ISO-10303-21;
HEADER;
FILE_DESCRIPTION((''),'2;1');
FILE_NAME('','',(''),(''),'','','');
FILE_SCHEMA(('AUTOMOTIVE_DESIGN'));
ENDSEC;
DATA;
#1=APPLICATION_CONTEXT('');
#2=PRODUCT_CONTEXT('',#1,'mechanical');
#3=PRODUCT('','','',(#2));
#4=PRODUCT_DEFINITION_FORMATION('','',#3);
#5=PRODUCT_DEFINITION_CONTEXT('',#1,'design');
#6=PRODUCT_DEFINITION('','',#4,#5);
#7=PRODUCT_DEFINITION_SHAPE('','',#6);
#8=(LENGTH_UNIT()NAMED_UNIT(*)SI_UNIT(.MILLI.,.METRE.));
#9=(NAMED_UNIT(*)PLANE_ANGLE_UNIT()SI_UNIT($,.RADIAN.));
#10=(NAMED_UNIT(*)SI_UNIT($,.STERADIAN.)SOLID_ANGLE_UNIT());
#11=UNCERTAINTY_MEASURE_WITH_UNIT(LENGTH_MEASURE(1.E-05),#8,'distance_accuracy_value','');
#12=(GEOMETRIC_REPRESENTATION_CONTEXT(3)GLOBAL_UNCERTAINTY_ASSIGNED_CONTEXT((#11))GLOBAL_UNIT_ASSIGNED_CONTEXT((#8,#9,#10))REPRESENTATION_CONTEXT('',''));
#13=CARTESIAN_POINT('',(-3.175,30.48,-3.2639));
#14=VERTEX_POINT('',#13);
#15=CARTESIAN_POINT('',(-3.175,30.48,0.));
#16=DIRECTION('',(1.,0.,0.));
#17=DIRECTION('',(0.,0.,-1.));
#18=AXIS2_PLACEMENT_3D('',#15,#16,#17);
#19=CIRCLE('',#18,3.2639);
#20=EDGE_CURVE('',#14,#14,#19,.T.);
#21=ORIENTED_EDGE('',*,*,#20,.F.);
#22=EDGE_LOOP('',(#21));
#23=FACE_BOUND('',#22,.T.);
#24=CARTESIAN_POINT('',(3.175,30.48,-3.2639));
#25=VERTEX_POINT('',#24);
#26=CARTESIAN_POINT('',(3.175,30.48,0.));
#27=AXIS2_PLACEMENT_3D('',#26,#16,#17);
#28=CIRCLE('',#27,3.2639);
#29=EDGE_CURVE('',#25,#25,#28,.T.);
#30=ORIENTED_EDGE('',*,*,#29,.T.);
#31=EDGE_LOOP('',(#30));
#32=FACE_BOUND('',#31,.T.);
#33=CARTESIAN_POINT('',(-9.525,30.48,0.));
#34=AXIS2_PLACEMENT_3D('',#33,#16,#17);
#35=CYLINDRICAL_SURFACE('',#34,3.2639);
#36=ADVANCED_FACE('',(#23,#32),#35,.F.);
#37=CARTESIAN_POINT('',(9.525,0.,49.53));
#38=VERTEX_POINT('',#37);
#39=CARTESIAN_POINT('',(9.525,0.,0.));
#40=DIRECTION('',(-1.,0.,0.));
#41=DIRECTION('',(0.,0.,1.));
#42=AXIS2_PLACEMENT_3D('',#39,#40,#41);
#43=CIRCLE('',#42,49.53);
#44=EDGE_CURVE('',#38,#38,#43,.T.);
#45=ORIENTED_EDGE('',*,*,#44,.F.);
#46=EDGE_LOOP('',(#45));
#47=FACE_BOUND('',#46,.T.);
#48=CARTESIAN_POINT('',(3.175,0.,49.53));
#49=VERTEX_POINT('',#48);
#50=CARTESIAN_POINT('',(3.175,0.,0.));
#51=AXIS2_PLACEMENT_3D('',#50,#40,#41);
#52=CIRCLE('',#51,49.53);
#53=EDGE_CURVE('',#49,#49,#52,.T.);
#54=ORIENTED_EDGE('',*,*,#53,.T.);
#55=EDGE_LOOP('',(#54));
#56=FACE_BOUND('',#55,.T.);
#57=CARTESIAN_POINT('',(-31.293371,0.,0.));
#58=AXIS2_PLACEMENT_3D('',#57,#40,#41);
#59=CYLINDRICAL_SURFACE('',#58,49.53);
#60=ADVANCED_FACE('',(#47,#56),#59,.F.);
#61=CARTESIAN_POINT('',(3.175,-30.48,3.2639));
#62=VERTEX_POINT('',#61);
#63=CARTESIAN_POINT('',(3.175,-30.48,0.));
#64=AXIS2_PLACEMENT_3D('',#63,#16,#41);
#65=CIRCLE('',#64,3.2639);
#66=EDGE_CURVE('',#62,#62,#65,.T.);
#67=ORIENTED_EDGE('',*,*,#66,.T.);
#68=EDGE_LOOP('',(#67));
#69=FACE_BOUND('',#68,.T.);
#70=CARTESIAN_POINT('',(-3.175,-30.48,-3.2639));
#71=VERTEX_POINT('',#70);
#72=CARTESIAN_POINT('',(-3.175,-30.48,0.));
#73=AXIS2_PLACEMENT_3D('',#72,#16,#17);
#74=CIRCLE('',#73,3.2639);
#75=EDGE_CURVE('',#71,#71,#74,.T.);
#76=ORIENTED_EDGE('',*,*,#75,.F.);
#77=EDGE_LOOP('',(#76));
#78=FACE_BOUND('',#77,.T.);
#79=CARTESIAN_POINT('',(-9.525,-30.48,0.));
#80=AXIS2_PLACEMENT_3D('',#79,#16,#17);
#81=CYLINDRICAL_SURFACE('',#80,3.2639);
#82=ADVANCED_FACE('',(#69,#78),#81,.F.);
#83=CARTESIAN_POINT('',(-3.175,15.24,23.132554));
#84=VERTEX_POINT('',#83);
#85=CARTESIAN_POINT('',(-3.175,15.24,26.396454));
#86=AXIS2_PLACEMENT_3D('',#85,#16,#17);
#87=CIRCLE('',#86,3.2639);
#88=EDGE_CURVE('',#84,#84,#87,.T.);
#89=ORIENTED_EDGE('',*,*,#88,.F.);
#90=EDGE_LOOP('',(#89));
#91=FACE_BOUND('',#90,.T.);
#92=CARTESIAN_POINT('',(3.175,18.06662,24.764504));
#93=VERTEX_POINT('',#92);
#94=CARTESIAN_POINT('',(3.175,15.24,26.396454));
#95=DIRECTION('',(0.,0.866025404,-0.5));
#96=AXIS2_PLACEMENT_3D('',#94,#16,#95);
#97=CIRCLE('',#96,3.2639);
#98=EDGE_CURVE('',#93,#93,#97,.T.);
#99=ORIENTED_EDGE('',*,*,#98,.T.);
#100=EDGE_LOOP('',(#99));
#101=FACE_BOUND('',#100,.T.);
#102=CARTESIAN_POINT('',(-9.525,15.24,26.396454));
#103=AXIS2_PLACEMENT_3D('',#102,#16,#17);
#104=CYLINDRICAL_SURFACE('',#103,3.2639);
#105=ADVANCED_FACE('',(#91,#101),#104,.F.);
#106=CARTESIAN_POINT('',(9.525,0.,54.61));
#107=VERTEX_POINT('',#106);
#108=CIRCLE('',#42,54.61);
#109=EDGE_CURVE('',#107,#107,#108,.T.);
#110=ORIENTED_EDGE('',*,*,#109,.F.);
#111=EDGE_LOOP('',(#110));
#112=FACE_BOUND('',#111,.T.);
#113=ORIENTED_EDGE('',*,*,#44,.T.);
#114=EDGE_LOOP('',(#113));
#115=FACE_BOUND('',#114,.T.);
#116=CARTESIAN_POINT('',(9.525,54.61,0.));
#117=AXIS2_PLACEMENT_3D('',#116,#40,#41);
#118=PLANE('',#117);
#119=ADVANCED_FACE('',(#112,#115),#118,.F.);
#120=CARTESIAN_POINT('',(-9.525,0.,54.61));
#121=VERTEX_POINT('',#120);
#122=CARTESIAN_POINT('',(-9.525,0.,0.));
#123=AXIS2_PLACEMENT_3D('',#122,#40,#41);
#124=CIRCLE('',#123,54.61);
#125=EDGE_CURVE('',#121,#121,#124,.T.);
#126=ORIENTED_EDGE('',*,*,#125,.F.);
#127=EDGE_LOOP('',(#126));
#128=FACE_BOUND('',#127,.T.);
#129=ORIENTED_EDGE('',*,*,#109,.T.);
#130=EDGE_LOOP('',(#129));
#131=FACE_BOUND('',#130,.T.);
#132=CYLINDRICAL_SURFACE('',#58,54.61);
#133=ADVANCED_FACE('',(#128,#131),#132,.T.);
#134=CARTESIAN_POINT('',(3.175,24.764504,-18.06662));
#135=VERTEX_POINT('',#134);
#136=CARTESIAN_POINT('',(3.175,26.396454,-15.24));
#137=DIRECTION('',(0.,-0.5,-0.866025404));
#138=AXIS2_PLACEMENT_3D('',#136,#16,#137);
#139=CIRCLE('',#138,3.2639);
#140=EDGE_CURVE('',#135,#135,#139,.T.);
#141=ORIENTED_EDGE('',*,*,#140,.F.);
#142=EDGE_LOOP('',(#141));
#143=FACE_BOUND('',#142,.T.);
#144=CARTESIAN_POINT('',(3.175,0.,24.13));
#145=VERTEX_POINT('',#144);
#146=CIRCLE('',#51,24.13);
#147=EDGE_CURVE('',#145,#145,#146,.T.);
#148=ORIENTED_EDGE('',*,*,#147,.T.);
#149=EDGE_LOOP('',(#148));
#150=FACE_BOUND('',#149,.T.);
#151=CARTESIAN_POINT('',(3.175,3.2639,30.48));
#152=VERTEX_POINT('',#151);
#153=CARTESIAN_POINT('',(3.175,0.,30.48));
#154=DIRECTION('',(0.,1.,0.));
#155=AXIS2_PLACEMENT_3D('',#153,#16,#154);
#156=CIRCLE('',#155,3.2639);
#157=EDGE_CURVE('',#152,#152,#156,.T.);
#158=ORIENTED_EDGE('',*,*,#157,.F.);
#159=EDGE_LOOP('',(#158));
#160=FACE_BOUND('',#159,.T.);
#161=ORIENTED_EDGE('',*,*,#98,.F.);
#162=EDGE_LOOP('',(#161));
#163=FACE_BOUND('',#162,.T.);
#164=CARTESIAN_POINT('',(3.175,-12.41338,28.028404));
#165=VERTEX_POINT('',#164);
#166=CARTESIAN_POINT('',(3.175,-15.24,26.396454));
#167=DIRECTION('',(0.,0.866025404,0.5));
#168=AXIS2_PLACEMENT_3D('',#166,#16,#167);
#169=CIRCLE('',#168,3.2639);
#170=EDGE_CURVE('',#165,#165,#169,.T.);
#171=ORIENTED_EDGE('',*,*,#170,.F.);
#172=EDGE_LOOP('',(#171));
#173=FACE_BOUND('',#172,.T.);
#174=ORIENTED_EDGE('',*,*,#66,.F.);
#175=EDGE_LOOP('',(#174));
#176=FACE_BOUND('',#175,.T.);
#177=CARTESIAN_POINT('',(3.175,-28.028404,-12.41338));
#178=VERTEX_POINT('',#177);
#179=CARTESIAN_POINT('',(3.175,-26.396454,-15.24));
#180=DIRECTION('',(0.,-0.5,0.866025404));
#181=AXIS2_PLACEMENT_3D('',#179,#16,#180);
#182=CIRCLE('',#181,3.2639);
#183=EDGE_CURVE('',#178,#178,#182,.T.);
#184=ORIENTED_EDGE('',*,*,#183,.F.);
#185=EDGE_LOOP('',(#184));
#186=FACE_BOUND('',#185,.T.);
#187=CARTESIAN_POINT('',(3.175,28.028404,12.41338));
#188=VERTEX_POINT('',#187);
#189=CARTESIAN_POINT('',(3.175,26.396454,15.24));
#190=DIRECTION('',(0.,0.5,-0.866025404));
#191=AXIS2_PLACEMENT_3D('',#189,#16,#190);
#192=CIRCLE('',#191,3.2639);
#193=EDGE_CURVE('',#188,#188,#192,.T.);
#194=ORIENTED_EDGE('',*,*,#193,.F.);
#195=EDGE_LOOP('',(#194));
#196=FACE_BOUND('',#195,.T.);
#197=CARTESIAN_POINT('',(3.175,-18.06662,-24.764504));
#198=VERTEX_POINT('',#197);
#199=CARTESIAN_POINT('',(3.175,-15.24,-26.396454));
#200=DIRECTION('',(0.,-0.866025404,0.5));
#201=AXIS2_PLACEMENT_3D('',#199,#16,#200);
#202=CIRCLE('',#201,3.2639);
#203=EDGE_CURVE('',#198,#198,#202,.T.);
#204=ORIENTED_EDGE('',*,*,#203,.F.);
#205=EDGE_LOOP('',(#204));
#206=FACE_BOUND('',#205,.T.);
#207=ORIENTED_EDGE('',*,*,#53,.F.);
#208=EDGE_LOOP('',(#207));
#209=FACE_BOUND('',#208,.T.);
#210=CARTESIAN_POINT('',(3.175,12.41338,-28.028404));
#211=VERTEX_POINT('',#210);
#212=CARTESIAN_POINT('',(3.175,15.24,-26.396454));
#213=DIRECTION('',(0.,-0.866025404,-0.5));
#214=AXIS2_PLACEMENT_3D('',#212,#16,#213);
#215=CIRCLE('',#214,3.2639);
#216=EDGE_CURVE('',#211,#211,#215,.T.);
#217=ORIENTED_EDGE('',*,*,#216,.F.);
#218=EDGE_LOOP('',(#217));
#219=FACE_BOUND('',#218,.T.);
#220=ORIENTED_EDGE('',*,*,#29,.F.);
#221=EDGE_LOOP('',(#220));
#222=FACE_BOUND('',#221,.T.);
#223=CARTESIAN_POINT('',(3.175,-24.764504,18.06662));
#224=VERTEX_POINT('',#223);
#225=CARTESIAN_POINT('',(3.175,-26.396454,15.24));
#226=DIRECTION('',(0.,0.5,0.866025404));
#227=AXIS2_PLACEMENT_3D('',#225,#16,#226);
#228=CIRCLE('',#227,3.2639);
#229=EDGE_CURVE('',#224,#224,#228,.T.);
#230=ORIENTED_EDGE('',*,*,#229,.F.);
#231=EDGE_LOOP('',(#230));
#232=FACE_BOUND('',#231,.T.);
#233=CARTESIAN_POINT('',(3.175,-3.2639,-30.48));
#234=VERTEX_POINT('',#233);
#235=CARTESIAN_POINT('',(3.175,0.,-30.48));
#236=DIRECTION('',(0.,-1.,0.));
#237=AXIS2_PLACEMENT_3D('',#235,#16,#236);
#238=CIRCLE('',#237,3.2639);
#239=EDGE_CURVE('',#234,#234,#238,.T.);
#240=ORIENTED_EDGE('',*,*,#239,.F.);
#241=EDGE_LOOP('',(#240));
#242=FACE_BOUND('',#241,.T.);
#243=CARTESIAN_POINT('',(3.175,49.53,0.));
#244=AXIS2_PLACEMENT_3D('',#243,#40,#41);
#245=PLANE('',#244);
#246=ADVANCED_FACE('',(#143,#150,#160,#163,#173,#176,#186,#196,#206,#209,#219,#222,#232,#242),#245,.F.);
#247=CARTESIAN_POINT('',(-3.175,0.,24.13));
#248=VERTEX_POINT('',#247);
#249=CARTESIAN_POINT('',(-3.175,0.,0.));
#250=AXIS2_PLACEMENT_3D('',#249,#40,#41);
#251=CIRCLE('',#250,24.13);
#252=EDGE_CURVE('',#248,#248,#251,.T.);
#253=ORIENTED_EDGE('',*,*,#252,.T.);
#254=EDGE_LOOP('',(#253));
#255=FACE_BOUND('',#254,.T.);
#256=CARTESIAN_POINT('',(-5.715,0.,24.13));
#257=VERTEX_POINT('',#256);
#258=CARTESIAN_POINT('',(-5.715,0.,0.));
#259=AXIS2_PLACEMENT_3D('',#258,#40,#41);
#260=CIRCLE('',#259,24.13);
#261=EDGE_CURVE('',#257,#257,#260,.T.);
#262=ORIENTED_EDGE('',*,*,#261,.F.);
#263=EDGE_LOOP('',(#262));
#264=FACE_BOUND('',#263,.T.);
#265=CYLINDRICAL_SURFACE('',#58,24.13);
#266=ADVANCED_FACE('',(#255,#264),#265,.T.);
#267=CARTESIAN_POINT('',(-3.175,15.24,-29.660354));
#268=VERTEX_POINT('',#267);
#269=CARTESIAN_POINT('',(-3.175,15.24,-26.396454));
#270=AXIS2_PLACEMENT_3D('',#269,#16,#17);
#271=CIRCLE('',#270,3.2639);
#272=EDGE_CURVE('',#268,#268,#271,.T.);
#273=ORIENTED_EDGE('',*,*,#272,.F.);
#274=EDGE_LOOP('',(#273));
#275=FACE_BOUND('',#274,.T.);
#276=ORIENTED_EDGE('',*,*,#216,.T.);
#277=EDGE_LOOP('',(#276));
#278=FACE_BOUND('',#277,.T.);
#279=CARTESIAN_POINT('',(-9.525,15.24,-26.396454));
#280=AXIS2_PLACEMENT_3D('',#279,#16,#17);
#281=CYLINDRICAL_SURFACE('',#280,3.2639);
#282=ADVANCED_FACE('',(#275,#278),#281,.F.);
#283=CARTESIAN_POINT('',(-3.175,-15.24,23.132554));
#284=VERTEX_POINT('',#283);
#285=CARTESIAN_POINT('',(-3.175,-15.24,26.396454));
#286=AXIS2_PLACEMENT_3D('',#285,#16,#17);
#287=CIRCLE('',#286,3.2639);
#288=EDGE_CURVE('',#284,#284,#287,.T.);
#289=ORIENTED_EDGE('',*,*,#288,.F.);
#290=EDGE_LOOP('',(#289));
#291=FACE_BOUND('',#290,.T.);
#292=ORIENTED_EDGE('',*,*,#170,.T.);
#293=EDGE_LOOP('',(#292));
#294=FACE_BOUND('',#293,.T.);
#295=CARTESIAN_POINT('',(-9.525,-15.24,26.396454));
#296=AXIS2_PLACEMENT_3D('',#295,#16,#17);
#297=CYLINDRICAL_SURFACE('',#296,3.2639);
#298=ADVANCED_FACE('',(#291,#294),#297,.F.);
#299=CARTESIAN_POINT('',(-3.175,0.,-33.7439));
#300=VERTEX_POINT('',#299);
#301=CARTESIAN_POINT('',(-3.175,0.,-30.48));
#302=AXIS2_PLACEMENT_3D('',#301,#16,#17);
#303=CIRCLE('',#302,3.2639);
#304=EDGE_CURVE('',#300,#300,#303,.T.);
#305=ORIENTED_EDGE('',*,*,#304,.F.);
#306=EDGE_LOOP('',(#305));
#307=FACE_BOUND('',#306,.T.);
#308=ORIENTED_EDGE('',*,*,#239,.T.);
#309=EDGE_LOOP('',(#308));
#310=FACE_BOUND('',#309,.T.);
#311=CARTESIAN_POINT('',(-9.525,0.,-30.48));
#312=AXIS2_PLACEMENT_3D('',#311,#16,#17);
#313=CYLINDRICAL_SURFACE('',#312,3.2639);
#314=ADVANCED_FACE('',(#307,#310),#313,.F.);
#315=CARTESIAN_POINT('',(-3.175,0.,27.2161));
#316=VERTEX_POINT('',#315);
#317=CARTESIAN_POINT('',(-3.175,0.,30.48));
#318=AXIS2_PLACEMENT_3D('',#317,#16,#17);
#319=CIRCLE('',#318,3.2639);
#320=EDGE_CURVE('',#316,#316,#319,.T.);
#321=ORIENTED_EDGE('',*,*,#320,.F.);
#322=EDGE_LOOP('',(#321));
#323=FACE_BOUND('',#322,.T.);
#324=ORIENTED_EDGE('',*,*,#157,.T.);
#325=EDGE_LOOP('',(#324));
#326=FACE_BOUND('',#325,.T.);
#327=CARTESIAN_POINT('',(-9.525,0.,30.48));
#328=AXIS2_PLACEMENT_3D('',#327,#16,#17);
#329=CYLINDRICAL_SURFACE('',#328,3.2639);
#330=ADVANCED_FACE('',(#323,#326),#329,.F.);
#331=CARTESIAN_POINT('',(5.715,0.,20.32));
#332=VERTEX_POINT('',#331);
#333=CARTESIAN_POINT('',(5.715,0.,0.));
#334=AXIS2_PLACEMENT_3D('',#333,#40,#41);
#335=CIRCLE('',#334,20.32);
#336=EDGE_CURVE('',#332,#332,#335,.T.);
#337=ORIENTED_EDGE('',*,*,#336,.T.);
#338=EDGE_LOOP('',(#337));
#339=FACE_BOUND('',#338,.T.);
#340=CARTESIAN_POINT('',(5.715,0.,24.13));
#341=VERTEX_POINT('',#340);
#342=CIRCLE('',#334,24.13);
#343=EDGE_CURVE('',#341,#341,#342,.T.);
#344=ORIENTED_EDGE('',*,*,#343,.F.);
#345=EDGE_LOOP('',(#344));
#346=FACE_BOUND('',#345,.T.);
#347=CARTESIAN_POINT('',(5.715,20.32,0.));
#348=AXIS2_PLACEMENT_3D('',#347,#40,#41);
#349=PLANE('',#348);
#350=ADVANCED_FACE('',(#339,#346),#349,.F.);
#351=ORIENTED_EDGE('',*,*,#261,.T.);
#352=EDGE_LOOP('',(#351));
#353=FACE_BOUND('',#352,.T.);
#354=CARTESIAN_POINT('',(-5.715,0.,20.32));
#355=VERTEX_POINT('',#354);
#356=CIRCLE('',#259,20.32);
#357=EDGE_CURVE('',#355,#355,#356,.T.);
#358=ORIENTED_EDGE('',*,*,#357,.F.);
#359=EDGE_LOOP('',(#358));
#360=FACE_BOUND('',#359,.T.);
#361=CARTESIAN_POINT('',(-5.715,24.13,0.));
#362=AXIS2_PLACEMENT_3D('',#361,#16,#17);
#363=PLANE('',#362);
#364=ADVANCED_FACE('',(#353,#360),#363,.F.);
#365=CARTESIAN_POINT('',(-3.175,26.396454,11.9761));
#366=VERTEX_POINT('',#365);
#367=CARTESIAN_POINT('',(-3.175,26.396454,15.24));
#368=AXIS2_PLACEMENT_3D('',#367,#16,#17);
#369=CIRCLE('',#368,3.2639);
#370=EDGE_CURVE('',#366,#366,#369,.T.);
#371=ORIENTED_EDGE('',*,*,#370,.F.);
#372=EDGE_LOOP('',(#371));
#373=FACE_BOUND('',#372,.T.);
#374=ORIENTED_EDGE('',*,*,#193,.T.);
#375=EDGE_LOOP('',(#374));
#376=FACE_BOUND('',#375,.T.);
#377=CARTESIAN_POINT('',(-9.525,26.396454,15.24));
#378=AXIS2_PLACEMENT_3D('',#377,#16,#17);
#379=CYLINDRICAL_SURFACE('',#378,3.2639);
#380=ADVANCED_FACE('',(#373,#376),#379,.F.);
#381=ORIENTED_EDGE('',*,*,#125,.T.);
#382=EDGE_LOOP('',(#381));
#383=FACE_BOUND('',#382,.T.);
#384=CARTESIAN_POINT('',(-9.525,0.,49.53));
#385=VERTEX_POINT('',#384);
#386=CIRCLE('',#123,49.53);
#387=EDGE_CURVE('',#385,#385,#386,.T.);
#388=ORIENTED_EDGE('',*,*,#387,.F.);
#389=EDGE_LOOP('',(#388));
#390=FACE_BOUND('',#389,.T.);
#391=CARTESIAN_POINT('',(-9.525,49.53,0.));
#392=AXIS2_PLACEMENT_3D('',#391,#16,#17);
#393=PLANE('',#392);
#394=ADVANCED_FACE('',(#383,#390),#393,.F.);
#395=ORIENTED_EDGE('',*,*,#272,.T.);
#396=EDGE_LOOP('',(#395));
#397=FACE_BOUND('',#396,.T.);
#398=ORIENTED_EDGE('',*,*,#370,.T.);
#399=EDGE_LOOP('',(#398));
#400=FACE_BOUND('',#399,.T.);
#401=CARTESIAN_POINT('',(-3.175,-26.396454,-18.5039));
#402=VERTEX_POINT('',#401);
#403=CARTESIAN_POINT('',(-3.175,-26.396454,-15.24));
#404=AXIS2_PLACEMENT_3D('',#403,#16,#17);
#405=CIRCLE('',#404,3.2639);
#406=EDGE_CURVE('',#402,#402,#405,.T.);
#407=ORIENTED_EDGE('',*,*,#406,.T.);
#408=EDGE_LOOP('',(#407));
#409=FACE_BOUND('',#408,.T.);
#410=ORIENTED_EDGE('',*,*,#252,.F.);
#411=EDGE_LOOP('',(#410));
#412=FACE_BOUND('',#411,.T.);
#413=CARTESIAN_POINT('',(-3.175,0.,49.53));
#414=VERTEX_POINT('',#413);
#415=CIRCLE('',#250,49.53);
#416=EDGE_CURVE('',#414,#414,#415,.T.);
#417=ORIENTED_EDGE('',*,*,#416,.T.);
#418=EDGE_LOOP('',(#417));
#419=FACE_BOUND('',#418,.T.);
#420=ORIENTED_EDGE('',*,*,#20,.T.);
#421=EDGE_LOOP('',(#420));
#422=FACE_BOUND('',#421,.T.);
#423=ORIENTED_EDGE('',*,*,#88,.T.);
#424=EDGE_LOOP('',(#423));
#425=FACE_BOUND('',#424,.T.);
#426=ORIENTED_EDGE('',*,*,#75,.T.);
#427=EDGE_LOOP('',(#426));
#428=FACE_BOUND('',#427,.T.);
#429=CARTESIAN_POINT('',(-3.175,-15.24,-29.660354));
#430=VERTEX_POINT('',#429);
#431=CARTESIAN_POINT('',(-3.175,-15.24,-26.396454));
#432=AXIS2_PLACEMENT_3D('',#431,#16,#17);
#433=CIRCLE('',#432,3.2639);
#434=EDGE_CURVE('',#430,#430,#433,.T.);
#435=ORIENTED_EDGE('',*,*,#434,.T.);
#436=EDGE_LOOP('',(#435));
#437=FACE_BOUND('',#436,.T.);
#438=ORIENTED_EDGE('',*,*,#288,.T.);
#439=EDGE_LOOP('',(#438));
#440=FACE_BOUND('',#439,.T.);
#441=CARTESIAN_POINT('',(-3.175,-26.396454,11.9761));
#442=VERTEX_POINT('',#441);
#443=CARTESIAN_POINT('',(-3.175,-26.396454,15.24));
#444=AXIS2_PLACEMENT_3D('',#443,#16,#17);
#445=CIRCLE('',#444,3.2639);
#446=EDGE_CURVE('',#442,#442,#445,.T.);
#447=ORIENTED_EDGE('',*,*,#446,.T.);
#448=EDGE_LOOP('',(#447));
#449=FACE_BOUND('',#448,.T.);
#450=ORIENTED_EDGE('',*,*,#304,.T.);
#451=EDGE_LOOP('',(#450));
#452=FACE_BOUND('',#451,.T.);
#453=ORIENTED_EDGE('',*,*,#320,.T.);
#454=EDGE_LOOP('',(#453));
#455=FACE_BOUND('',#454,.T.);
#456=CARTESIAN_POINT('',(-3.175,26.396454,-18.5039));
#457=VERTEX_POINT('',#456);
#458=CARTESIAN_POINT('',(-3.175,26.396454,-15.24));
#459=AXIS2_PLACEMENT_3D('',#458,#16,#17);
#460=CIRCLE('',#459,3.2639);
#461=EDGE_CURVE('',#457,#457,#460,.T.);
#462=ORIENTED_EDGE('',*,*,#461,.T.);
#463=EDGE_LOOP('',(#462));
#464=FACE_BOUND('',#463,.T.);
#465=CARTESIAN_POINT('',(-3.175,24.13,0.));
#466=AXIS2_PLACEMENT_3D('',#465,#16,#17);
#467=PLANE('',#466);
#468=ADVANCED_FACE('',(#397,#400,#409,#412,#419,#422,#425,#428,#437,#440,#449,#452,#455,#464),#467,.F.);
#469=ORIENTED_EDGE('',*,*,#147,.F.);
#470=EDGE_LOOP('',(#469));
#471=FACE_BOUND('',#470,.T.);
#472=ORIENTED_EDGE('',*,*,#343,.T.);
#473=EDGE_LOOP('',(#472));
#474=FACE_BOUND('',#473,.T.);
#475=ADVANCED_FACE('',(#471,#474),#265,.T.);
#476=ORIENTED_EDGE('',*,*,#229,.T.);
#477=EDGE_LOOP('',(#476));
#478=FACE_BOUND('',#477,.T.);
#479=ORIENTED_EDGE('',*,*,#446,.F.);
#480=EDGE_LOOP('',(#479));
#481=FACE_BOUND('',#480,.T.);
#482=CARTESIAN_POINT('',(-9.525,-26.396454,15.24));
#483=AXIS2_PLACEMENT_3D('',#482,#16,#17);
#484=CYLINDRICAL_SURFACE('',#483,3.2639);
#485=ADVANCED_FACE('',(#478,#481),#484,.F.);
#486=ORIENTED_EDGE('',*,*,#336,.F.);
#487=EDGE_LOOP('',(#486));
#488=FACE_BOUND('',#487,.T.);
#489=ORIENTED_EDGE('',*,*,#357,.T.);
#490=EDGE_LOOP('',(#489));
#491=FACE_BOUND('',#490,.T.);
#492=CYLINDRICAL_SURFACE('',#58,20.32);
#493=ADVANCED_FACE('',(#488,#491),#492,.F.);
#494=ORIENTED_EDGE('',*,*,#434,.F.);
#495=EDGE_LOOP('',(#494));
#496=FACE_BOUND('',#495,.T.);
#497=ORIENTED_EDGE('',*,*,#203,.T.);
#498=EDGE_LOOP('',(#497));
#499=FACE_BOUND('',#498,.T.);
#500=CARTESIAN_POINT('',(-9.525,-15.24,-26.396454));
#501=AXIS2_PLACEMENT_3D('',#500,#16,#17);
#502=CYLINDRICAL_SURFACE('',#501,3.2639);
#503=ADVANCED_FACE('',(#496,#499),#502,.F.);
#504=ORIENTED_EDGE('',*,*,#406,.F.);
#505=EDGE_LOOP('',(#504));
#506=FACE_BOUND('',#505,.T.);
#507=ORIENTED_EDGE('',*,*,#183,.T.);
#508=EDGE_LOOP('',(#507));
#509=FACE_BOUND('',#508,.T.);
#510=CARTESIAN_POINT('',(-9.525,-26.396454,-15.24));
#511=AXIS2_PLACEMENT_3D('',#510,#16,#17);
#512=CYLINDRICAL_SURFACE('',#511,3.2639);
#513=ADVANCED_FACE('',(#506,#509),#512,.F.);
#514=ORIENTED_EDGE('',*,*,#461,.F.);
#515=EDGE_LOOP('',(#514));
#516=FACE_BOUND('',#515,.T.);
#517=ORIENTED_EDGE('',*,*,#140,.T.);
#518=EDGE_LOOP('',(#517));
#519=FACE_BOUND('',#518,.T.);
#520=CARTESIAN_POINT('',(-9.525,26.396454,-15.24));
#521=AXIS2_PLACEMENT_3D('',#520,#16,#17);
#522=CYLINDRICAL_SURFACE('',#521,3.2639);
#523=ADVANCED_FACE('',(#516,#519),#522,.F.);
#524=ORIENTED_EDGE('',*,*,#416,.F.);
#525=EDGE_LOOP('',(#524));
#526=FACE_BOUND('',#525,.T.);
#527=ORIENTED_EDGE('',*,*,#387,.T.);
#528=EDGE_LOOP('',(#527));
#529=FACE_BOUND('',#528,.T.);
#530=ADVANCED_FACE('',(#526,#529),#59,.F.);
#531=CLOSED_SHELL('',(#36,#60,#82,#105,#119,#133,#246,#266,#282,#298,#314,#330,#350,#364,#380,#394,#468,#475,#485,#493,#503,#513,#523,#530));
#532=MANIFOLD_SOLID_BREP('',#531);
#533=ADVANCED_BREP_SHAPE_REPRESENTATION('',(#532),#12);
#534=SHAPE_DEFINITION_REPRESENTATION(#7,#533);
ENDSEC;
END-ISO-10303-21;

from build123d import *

# Parameters (mm, degrees)
SKETCH2_R          = 3.2639
CUT_EXTRUDE1_DEPTH = 79.267453006
CIRPATTERN1_COUNT  = 12


with BuildPart() as part:
    # Sketch1 → Revolve1 (revolve)
    with BuildSketch(Plane.XY, mode=Mode.PRIVATE) as revolve1_sk:
        Polygon((-9.525, 54.61), (9.525, 54.61), (9.525, 49.53), (3.175, 49.53), (3.175, 24.13), (5.715, 24.13), (5.715, 20.32), (-5.715, 20.32), (-5.715, 24.13), (-3.175, 24.13), (-3.175, 49.53), (-9.525, 49.53), align=None)
    revolve(revolve1_sk.sketch.rotate(Axis((-31.293370787, 0, 0), (1, 0, 0)), 90), axis=Axis((-31.293370787, 0, 0), (1, 0, 0)))

    # Sketch2 → Cut-Extrude1 (cut, through all)
    with BuildSketch(Plane(origin=(3.175, 0, 0), x_dir=(0, 0, -1), z_dir=(1, 0, 0))):
        with Locations((0, 30.48)):
            Circle(SKETCH2_R)
    cut_extrude1 = extrude(amount=-CUT_EXTRUDE1_DEPTH, mode=Mode.SUBTRACT)

    # CirPattern1: Cut-Extrude1 ×12 about axis
    cirpattern1_axis = Axis((0, 0, 0), (1, 0, 0))
    for i in range(1, CIRPATTERN1_COUNT):
        add(cut_extrude1.rotate(cirpattern1_axis, i * 360 / CIRPATTERN1_COUNT), mode=Mode.SUBTRACT)


solid = part.part
